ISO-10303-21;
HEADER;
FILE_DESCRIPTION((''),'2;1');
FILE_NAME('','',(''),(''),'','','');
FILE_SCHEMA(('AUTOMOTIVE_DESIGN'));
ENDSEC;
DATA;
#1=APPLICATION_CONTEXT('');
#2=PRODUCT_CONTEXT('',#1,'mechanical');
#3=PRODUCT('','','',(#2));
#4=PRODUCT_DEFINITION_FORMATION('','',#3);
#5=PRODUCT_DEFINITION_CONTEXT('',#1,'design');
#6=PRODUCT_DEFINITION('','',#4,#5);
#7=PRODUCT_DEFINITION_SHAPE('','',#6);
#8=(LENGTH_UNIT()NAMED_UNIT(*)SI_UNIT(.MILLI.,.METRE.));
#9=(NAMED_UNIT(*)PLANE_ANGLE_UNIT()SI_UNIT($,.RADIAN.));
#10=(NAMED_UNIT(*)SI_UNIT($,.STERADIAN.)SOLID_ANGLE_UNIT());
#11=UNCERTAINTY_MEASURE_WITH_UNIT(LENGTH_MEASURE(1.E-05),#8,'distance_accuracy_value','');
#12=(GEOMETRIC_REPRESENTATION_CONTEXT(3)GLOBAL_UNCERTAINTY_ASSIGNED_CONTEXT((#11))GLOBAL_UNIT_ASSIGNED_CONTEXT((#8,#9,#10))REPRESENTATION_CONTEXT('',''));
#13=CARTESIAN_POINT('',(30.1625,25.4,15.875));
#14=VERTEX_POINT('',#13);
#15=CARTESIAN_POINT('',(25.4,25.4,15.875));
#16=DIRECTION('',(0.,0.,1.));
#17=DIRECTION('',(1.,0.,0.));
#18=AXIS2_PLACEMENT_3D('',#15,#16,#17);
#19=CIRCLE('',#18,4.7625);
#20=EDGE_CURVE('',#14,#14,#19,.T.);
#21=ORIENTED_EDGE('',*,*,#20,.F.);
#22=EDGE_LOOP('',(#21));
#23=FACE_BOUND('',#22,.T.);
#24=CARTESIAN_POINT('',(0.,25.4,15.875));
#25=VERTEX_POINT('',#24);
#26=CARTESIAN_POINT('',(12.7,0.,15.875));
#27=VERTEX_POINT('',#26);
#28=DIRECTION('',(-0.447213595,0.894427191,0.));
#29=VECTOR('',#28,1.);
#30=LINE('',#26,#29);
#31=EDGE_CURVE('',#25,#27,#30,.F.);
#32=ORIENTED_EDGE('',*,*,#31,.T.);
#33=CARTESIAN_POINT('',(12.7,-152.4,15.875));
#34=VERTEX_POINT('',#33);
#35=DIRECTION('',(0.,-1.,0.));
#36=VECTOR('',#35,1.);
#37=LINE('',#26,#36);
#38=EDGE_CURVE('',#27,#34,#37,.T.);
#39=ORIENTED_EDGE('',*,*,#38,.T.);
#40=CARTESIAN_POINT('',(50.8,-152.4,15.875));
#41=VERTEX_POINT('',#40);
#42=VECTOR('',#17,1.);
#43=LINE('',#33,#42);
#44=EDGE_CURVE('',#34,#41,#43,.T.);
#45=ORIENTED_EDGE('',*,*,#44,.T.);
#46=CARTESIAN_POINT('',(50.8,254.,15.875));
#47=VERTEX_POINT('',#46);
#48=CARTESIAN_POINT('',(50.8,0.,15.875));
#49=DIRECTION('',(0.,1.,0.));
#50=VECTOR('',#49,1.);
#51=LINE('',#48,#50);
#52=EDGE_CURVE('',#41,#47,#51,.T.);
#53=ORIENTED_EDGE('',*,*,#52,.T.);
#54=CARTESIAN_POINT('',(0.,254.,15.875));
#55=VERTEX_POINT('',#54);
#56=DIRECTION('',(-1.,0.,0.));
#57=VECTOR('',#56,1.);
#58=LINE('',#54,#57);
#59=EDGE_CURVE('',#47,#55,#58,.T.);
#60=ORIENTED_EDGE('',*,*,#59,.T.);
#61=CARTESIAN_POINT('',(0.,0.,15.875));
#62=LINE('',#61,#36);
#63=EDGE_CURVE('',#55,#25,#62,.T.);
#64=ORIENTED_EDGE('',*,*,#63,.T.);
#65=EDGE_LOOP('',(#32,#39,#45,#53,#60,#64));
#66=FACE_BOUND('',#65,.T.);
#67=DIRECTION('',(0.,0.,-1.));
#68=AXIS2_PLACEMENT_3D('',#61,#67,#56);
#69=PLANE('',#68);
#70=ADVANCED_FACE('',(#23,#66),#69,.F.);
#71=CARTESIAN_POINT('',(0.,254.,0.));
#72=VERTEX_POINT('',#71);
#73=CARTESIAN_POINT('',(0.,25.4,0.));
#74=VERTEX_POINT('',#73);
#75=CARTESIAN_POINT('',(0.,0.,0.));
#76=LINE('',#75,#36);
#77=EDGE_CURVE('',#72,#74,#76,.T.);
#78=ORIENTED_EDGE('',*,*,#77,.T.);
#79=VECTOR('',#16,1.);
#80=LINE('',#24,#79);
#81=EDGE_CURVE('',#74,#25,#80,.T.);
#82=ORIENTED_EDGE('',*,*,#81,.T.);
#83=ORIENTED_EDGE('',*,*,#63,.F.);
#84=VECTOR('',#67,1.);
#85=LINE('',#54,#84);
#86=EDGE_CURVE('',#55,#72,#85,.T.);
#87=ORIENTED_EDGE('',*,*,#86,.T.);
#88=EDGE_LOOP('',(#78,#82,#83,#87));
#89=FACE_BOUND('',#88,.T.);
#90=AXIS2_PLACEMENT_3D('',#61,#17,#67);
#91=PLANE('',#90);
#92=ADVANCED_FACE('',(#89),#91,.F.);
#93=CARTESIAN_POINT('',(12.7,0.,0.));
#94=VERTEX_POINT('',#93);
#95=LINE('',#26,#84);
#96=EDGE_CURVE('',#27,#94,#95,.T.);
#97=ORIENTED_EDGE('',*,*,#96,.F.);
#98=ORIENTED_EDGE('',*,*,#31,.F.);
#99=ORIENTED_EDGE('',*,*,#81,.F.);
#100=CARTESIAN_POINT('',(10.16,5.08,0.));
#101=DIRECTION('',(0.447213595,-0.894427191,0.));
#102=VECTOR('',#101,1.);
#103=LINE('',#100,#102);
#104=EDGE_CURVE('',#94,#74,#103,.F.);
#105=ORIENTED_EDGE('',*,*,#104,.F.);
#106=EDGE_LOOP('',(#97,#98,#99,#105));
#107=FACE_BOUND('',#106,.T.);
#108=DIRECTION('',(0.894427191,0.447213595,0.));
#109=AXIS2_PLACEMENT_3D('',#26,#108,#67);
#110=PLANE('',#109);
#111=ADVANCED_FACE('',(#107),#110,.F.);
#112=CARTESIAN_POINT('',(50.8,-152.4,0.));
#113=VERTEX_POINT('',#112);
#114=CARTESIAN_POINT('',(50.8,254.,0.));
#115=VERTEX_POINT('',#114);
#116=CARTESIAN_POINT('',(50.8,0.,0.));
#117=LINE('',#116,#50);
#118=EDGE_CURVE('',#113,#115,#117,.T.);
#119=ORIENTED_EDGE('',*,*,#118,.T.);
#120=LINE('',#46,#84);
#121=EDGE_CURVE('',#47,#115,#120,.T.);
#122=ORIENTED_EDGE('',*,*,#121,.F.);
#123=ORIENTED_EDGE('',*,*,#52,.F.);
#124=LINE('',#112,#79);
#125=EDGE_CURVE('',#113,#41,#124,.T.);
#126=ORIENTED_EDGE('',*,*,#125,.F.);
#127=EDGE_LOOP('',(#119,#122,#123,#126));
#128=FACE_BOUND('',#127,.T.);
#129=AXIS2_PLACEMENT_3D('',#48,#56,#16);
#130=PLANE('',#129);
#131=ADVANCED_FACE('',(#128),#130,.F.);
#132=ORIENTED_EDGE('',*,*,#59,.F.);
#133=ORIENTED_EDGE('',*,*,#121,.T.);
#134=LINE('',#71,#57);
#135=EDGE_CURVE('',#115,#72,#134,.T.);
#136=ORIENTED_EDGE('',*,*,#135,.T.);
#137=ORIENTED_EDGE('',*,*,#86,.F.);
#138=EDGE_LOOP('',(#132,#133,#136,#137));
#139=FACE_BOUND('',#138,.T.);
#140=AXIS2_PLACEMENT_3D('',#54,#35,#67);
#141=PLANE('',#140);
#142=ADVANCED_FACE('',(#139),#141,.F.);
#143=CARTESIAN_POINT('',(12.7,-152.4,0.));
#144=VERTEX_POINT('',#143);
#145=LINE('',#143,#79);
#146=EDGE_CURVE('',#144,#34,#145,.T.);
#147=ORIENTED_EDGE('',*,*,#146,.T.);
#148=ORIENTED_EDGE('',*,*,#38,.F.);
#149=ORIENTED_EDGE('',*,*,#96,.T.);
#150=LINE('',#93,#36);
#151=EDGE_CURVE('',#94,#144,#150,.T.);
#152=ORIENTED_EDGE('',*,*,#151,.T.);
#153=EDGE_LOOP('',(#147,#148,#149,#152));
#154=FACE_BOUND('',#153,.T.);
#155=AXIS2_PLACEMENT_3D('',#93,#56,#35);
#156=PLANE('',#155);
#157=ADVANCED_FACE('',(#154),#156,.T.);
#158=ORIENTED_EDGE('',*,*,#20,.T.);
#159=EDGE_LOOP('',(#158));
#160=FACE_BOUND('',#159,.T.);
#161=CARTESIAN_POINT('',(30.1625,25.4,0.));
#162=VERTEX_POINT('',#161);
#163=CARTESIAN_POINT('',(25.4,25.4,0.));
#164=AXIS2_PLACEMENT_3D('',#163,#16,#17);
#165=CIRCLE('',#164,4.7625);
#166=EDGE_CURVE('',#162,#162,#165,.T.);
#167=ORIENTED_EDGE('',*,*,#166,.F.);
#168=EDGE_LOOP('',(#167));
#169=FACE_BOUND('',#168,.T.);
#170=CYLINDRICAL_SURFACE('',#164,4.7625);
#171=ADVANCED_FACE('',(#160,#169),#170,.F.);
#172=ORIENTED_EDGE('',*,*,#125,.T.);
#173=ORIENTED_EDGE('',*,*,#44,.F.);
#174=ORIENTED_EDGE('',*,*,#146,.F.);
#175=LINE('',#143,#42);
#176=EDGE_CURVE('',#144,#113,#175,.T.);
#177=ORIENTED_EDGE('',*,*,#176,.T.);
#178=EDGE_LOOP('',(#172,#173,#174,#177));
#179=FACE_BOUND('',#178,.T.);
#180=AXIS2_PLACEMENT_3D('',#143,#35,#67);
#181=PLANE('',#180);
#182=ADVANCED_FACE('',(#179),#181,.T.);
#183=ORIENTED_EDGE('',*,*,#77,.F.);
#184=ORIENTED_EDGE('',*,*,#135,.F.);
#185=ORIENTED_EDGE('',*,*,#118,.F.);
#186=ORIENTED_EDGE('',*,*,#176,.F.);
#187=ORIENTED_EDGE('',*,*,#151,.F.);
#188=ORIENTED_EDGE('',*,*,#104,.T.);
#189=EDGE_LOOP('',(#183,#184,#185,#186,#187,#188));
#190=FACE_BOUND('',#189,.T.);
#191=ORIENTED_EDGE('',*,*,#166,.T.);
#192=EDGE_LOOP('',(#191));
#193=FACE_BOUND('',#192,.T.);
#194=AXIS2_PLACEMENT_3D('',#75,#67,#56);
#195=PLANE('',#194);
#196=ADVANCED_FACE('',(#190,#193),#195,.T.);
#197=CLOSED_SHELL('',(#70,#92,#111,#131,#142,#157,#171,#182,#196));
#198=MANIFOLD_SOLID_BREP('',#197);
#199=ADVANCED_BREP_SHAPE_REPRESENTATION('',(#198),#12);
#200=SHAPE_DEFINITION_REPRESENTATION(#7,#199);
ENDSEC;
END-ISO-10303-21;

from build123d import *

# Parameters (mm, degrees)
SKETCH1_W           = 50.8
SKETCH1_H           = 254
BOSS_EXTRUDE1_DEPTH = 15.875
CHAMFER1_SIZE       = 25.4
CHAMFER1_SIZE2      = 12.7
SKETCH2_R           = 4.7625
CUT_EXTRUDE1_DEPTH  = 16.875
SKETCH3_W           = 38.1
SKETCH3_H           = 152.4
BOSS_EXTRUDE2_DEPTH = 15.875


with BuildPart() as part:
    # Sketch1 → Boss-Extrude1 (new body)
    with BuildSketch(Plane.XY):
        with Locations((25.4, 127)):
            Rectangle(SKETCH1_W, SKETCH1_H)
    extrude(amount=BOSS_EXTRUDE1_DEPTH)

    # Chamfer1
    chamfer1_edges = [part.edges().sort_by_distance(p)[0] for p in [
        (0, 0, 7.9375),
    ]]
    chamfer1_side = [part.faces().sort_by_distance(p)[0] for p in [
        (0, 127, 7.9375),
    ]]
    chamfer(chamfer1_edges, length=CHAMFER1_SIZE, length2=CHAMFER1_SIZE2, reference=chamfer1_side[0])

    # Sketch2 → Cut-Extrude1 (cut, through all)
    with BuildSketch(Plane.XY.offset(15.875)):
        with Locations((25.4, 25.4)):
            Circle(SKETCH2_R)
    extrude(amount=-CUT_EXTRUDE1_DEPTH, mode=Mode.SUBTRACT)

    # Sketch3 → Boss-Extrude2 (add)
    with BuildSketch(Plane.XY.offset(15.875)):
        with Locations((31.75, -76.2)):
            Rectangle(SKETCH3_W, SKETCH3_H)
    extrude(amount=-BOSS_EXTRUDE2_DEPTH)


solid = part.part
